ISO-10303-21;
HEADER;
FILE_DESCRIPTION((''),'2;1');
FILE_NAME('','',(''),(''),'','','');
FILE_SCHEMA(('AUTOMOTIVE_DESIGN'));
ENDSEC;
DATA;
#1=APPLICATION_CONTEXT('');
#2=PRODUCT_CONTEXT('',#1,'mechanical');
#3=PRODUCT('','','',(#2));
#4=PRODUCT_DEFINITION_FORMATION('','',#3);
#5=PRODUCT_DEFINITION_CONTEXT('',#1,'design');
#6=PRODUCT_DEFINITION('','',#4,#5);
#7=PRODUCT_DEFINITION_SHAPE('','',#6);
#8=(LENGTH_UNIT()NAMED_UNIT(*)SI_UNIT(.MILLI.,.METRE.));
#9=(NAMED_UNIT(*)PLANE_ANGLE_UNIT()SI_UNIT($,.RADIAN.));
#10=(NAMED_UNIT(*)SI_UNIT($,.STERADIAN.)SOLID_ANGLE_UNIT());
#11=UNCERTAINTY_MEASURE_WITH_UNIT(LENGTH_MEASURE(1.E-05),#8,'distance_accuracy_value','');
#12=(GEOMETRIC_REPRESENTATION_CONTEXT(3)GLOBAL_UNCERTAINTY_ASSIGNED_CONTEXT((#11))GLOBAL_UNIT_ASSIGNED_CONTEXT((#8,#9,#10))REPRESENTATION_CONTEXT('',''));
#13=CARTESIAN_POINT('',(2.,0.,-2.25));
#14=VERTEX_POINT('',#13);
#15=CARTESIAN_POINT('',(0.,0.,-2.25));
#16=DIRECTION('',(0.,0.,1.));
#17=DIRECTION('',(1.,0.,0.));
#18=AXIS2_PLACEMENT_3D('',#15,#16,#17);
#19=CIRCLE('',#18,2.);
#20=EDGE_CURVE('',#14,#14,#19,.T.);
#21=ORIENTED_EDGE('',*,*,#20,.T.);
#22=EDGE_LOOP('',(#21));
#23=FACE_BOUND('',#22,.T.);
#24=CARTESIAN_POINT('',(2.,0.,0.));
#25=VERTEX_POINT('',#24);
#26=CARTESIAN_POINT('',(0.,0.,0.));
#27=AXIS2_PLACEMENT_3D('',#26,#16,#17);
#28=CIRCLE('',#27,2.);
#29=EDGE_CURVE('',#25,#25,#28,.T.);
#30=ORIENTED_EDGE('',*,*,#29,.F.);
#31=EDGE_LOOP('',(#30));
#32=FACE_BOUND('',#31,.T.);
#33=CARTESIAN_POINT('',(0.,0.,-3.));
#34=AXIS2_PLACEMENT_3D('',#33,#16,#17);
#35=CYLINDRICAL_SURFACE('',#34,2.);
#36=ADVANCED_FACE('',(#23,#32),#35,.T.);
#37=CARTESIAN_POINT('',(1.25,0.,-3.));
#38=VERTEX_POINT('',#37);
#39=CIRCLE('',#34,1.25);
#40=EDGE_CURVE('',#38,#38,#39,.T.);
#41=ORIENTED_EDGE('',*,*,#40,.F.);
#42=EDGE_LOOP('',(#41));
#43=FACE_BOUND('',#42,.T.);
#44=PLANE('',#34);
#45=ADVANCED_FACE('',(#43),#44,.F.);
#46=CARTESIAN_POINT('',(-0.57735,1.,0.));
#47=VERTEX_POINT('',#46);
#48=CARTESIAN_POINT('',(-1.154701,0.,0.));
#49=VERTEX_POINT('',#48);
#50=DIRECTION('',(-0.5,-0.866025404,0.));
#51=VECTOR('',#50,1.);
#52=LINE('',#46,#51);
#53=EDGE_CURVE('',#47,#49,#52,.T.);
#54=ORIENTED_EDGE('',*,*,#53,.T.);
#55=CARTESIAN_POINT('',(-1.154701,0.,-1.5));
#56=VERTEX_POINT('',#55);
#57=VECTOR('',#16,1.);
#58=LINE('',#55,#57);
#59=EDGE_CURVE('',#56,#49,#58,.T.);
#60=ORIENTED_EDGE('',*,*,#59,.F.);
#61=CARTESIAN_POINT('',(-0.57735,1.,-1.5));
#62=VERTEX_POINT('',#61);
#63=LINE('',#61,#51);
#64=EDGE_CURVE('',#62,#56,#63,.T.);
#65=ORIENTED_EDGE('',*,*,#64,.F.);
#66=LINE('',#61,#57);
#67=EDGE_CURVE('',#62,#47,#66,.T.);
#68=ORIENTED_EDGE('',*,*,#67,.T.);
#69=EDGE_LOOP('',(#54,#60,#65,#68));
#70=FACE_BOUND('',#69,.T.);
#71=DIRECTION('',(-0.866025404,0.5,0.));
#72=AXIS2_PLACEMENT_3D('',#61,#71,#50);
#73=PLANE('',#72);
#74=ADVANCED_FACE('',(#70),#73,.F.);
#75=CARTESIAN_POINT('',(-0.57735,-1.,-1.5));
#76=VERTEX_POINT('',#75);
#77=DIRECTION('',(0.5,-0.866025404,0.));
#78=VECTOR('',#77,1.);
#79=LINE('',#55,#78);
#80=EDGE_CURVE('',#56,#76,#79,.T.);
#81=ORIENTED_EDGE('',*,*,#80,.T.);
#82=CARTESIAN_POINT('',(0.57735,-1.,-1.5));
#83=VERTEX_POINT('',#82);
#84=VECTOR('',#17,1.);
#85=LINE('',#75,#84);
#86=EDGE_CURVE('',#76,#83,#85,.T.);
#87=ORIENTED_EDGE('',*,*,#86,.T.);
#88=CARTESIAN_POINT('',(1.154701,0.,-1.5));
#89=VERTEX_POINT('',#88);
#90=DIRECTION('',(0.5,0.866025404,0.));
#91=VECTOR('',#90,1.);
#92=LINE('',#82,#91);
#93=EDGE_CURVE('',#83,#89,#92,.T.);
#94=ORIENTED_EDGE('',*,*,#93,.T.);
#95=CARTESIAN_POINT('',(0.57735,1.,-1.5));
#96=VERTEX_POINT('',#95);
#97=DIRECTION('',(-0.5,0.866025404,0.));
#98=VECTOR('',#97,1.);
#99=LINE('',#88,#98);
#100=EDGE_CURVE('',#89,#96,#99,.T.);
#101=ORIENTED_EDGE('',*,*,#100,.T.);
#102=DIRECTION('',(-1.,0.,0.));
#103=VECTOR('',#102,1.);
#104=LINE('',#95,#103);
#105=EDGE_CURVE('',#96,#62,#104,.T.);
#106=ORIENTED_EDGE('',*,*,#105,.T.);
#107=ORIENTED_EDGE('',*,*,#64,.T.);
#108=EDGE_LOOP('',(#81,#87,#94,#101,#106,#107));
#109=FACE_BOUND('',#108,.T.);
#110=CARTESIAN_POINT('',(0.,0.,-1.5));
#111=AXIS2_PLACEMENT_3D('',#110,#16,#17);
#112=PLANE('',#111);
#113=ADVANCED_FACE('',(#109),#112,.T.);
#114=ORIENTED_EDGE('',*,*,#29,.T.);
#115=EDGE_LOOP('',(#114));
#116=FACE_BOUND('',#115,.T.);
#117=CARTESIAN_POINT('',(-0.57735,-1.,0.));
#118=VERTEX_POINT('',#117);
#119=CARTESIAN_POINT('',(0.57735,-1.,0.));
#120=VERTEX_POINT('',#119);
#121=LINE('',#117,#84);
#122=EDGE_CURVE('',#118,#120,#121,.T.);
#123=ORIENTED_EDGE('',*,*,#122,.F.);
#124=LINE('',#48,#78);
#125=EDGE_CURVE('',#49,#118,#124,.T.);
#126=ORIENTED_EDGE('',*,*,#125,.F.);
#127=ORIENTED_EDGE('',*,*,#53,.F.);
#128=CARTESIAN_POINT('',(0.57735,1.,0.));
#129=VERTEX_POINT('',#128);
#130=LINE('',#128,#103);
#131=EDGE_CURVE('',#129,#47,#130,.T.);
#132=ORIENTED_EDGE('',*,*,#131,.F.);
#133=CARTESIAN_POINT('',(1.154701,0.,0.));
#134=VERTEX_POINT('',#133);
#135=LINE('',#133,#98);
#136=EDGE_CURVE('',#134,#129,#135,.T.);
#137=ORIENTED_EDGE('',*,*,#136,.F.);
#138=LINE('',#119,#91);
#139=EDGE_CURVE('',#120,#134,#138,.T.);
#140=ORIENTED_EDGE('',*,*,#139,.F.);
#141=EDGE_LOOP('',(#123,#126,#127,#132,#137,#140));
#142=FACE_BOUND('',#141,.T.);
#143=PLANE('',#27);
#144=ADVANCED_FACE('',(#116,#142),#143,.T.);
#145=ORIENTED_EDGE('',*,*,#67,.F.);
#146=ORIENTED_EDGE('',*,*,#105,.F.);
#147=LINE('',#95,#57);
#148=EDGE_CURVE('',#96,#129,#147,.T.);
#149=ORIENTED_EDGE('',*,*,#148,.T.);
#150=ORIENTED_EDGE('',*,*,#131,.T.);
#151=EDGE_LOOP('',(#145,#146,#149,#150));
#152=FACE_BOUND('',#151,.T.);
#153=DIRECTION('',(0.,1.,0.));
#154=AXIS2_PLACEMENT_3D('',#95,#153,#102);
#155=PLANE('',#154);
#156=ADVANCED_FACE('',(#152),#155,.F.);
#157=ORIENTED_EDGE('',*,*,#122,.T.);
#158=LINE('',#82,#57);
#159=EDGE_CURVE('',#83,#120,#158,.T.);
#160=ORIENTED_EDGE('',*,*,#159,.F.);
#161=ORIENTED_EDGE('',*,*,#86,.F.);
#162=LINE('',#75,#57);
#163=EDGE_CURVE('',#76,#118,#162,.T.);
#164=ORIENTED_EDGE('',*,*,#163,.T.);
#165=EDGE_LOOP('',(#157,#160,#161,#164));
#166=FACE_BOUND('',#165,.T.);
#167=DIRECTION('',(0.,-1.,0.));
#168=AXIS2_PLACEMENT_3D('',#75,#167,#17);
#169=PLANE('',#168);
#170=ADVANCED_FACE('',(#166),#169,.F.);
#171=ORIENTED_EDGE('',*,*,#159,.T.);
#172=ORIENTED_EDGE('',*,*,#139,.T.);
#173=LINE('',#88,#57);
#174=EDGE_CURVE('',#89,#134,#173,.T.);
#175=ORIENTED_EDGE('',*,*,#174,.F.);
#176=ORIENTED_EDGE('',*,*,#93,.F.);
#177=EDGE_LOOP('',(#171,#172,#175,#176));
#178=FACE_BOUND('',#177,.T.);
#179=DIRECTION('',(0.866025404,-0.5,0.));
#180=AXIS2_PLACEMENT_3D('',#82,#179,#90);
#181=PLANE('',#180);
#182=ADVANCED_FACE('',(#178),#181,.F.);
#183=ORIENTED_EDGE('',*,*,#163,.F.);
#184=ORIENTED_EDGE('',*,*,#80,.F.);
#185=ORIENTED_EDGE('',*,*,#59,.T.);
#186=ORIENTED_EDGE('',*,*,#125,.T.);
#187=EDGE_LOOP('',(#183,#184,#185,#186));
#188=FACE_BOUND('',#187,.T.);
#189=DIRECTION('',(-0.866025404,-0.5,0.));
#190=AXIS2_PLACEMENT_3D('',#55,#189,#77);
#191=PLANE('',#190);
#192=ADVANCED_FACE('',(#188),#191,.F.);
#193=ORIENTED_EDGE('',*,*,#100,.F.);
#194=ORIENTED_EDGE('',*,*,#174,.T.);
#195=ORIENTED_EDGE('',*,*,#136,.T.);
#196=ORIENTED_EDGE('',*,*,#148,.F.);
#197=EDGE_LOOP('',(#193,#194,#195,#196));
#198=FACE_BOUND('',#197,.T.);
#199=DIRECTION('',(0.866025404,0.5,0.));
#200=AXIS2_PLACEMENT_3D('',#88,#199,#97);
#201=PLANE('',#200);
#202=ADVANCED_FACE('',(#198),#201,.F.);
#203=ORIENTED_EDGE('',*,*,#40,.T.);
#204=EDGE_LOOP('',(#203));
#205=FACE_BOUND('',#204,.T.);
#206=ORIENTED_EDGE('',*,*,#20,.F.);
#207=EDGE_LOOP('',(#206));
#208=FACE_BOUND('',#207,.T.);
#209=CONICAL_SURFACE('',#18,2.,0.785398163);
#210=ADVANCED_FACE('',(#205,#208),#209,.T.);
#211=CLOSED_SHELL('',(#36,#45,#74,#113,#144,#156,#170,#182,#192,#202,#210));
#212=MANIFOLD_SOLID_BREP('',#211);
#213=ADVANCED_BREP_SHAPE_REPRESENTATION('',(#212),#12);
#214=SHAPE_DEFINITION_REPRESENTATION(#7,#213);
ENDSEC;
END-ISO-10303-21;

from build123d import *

# Parameters (mm, degrees)
SKETCH1_R           = 2
BOSS_EXTRUDE1_DEPTH = 3
CUT_EXTRUDE1_DEPTH  = 1.5


with BuildPart() as part:
    # Sketch1 → Boss-Extrude1 (new body)
    with BuildSketch(Plane.XY):
        Circle(SKETCH1_R)
    extrude(amount=-BOSS_EXTRUDE1_DEPTH)

    # Sketch2 → Cut-Extrude1 (cut)
    with BuildSketch(Plane.XY):
        Polygon((1.154700538, 0), (0.577350269, 1), (-0.577350269, 1), (-1.154700538, 0), (-0.577350269, -1), (0.577350269, -1), align=None)
    extrude(amount=-CUT_EXTRUDE1_DEPTH, mode=Mode.SUBTRACT)

    # Sketch3 → Chamfer 2 (revolve, cut)
    with BuildSketch(Plane(origin=(0, 0, 0), x_dir=(0, 0, -1), z_dir=(1, 0, 0)), mode=Mode.PRIVATE) as chamfer_2_sk:
        Polygon((3, 2), (3, 1.25), (2.25, 2), align=None)
    revolve(chamfer_2_sk.sketch.rotate(Axis((0, 0, 0), (0, 0, -1)), 90), axis=Axis((0, 0, 0), (0, 0, -1)), mode=Mode.SUBTRACT)


solid = part.part
